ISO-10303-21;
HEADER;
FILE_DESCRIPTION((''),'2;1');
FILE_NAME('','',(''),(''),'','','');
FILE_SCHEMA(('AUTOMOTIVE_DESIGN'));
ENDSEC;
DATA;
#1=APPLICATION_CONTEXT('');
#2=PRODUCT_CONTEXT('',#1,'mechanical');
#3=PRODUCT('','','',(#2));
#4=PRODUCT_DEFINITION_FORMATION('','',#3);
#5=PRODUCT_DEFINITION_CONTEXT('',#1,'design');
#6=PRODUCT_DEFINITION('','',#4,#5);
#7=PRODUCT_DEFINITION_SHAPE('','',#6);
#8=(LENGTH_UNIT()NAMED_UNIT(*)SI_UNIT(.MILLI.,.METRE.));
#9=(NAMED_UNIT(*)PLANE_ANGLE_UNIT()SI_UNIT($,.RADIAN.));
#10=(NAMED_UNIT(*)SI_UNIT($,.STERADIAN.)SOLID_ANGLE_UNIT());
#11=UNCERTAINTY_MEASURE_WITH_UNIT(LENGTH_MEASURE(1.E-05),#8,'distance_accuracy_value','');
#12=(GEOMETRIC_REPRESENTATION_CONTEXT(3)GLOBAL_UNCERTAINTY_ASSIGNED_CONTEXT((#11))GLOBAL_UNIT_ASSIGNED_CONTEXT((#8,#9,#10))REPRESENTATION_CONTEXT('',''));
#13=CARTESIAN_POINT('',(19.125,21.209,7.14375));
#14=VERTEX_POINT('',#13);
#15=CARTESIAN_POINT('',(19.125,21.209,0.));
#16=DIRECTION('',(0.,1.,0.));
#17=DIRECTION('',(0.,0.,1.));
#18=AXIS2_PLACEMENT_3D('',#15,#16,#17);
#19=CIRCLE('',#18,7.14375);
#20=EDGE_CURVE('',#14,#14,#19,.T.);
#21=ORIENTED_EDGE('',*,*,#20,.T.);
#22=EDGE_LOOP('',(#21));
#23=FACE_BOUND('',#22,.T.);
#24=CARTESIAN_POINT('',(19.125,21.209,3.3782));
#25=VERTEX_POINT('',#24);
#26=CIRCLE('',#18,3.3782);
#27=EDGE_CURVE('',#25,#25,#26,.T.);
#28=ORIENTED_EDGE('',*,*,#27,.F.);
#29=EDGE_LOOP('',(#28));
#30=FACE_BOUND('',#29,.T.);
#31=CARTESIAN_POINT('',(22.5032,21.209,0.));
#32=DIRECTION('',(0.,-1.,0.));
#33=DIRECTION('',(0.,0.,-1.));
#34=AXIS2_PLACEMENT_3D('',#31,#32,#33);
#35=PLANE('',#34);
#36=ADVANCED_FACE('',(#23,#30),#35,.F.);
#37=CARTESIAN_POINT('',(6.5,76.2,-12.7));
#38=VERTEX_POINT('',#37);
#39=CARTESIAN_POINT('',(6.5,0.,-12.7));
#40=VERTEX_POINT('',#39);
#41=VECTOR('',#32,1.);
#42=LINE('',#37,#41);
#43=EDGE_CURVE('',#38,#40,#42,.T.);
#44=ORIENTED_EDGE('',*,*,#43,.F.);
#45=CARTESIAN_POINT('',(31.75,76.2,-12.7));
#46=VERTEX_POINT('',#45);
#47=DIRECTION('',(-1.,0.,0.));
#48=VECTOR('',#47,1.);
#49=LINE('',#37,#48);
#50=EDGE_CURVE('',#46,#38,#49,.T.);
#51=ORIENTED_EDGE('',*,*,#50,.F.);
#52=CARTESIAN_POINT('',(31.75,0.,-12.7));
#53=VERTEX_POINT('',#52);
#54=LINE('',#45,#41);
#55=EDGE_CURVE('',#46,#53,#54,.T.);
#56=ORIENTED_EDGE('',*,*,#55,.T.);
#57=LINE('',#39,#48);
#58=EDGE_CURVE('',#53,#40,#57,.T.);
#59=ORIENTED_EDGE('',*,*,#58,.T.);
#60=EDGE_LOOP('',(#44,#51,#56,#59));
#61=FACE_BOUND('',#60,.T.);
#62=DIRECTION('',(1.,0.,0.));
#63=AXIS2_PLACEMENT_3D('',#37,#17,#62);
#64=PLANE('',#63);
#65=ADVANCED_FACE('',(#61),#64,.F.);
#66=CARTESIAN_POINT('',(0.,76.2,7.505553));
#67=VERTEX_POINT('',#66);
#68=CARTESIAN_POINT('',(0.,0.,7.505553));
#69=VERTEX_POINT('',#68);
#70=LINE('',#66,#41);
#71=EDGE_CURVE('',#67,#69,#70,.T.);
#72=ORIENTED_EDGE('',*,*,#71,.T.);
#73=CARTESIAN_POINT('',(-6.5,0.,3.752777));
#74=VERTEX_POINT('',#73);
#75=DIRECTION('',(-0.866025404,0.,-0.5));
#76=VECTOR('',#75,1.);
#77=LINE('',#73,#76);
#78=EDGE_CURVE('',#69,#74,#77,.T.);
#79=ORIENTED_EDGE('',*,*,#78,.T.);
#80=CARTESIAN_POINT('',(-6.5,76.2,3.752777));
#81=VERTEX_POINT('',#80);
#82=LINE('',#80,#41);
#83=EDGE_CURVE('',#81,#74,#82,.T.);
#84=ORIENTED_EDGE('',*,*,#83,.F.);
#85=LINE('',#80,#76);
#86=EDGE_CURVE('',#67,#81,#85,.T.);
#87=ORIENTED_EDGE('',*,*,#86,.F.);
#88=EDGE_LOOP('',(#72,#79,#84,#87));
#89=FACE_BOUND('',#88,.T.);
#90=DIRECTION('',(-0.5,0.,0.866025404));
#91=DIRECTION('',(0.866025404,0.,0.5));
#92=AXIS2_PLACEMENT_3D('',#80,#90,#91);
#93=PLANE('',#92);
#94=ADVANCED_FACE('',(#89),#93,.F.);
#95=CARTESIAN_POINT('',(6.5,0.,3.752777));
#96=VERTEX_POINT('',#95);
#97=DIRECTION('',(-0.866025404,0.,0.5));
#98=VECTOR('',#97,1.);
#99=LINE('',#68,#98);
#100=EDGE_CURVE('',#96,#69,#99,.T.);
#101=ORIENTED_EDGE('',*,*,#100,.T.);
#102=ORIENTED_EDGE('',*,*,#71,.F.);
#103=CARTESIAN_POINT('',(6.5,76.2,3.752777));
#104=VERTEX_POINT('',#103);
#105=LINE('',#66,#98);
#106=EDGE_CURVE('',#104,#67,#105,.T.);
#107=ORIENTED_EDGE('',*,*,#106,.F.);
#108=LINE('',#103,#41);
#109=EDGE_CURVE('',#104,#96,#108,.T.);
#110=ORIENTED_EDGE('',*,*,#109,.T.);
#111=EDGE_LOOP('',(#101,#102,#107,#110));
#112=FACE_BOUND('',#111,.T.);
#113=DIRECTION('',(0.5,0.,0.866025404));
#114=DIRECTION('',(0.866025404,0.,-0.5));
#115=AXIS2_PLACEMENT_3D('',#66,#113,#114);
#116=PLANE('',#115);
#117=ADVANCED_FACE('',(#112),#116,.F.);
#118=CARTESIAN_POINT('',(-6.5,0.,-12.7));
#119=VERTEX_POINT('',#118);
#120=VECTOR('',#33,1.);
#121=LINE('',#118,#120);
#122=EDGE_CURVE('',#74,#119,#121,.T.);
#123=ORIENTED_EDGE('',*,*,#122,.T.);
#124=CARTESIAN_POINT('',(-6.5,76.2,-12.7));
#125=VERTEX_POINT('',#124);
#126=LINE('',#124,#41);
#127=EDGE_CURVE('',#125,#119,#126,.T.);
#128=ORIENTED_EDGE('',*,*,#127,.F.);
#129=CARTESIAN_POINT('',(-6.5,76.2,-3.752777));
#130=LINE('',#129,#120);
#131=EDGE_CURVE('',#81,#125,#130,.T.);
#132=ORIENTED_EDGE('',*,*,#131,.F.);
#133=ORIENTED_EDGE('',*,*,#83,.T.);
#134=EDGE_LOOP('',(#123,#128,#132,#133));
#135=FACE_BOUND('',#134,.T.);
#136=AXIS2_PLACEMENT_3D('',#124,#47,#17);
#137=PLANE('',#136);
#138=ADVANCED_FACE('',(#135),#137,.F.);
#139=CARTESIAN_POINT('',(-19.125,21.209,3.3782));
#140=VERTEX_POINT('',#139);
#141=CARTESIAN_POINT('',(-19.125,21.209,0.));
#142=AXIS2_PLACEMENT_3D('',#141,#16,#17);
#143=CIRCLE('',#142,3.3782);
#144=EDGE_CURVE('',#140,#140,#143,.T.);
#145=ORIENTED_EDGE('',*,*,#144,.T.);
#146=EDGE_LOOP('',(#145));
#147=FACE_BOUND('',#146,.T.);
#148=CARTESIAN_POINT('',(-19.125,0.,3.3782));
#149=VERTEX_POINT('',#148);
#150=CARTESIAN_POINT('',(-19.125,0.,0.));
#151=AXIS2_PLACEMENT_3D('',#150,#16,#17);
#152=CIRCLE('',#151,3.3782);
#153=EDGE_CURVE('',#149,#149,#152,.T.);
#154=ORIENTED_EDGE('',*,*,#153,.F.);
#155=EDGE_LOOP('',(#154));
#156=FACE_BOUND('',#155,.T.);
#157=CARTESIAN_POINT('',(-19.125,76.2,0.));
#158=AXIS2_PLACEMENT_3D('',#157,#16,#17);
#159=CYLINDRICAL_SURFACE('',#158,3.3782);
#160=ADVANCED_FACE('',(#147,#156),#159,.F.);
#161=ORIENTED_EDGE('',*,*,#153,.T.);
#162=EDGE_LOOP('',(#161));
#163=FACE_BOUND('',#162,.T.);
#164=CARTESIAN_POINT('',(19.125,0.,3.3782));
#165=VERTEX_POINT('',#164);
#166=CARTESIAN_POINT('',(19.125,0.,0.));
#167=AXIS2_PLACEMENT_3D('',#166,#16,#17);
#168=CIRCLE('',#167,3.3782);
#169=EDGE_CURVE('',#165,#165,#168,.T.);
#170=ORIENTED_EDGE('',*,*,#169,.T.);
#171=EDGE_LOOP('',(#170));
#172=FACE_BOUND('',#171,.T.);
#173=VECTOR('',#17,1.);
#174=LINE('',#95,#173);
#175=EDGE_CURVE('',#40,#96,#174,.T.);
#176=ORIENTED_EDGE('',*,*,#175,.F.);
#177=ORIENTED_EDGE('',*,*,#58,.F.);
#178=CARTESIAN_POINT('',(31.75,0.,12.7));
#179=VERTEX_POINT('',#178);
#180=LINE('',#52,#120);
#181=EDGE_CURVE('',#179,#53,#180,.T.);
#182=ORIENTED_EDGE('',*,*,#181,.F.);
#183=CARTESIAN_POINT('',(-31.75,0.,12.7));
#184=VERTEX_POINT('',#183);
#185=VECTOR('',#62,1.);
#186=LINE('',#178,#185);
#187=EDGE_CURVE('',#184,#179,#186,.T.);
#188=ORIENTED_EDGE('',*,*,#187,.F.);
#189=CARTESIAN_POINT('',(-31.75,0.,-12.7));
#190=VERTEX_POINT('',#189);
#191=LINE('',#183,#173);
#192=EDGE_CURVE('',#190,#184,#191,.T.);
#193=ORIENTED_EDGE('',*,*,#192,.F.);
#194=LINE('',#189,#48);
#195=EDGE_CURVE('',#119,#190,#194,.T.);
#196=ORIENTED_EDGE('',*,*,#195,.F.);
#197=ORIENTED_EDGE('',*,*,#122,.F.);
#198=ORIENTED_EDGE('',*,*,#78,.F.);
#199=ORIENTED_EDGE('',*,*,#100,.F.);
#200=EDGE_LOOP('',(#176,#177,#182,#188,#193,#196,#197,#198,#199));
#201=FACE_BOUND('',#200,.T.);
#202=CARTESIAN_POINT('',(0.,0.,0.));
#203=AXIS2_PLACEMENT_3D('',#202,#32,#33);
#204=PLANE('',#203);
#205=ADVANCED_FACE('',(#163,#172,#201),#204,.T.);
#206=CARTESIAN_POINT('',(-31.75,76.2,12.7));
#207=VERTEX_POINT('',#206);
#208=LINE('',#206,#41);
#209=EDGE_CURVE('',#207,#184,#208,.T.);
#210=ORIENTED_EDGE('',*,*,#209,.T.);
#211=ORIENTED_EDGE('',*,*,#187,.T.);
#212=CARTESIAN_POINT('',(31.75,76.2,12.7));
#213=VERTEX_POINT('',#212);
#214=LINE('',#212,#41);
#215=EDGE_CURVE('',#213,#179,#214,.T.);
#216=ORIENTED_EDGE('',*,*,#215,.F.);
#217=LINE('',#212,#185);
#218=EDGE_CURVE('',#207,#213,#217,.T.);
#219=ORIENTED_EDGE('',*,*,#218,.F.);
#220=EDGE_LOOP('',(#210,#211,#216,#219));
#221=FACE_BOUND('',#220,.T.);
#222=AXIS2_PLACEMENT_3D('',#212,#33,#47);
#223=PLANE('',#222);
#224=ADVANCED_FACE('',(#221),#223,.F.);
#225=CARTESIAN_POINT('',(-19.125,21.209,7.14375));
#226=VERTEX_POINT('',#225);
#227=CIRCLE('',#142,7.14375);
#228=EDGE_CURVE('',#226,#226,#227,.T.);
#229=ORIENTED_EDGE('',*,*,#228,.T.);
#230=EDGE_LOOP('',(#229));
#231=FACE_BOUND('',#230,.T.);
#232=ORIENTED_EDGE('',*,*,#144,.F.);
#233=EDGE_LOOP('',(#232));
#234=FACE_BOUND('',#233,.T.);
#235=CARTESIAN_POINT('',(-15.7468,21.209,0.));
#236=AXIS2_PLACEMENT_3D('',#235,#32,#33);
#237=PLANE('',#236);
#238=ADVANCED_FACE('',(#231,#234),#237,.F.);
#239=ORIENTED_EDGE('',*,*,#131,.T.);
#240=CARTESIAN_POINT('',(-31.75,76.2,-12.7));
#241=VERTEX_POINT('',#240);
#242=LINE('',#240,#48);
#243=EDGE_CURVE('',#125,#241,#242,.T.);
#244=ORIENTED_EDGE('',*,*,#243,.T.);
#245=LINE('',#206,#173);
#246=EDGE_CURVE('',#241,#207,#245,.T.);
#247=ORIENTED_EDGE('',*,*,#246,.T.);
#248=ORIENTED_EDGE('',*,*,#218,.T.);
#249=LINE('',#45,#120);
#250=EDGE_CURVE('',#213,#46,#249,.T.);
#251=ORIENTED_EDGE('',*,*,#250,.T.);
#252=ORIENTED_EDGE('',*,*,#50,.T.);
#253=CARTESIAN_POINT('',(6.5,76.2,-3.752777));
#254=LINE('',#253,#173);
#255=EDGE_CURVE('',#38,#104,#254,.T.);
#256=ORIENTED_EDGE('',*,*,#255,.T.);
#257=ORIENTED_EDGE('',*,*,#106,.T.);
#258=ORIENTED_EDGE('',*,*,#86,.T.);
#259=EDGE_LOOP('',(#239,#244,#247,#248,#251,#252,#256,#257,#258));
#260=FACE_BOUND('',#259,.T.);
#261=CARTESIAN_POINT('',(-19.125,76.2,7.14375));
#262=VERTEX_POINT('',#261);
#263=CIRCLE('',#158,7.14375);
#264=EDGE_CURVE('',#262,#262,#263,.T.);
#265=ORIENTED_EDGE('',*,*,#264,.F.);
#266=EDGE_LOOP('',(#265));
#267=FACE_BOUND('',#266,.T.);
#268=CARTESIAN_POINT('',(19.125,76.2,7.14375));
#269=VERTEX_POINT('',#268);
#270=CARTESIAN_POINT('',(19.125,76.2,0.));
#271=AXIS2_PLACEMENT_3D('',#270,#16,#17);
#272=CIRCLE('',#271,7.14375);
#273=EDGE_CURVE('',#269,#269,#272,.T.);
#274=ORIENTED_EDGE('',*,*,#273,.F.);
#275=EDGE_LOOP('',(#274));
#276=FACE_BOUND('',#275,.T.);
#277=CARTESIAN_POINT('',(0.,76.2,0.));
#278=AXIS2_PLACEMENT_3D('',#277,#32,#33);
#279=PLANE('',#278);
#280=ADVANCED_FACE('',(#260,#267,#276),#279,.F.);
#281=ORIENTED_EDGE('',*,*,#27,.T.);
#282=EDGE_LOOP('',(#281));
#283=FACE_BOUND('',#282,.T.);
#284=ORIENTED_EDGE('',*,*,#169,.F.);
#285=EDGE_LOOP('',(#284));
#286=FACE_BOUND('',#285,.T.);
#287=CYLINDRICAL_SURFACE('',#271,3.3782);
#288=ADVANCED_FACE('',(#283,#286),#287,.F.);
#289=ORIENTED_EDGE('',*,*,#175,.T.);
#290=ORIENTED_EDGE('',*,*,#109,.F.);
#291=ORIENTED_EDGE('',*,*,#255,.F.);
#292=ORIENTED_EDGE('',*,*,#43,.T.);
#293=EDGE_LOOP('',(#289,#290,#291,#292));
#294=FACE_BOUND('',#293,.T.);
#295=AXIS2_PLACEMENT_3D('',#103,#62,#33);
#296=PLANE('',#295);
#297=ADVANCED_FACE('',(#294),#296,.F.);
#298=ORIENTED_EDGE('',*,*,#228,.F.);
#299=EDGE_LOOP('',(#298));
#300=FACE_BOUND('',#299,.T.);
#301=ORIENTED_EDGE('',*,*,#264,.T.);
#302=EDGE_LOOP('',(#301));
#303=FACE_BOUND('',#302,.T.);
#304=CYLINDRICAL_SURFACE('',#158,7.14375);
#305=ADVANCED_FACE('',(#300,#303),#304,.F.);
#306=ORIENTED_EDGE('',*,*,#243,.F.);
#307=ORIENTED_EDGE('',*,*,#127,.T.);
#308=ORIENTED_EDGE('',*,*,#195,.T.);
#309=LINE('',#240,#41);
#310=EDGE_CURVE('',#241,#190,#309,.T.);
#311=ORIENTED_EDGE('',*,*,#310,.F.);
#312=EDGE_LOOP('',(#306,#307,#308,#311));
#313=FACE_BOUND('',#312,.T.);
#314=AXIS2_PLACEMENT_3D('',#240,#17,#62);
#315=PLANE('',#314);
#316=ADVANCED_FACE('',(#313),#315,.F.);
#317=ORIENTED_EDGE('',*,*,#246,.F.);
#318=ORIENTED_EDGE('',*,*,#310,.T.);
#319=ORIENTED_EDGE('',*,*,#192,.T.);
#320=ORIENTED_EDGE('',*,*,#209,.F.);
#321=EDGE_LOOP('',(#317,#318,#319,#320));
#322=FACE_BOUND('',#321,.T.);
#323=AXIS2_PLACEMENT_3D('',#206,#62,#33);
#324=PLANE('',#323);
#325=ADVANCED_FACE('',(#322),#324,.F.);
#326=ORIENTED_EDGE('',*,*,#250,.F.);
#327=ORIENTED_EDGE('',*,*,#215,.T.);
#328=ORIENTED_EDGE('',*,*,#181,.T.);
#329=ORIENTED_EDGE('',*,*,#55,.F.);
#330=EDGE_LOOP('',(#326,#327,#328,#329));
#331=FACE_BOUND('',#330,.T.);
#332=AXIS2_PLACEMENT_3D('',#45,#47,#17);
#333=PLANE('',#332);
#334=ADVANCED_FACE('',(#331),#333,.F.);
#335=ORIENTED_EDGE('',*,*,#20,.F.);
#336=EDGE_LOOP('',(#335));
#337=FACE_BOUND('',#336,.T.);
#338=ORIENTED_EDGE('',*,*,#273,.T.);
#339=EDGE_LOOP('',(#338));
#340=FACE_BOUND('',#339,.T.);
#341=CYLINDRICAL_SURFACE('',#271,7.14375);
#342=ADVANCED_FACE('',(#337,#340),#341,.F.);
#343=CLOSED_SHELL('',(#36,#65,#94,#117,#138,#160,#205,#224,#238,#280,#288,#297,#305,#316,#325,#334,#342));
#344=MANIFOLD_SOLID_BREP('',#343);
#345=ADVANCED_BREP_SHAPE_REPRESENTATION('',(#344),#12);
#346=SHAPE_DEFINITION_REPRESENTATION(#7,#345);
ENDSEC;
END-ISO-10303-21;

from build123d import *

# Parameters (mm, degrees)
BOSS_EXTRUDE1_DEPTH                                  = 76.2
CBORE_FOR_1_4_BINDING_HEAD_MACHINE_SCREW_D           = 6.7564
CBORE_FOR_1_4_BINDING_HEAD_MACHINE_SCREW_CBORE_D     = 14.2875
CBORE_FOR_1_4_BINDING_HEAD_MACHINE_SCREW_CBORE_DEPTH = 54.991


with BuildPart() as part:
    # Sketch1 → Boss-Extrude1 (new body)
    with BuildSketch(Plane(origin=(0, 0, 0), x_dir=(1, 0, 0), z_dir=(0, 1, 0))):
        Polygon((0, -7.505553499), (6.5, -3.75277675), (6.5, 3.75277675), (6.5, 12.7), (31.75, 12.7), (31.75, -12.7), (-31.75, -12.7), (-31.75, 12.7), (-6.5, 12.7), (-6.5, 3.75277675), (-6.5, -3.75277675), align=None)
    extrude(amount=BOSS_EXTRUDE1_DEPTH)

    # CBORE for 1/4 Binding Head Machine Screw1 (through all)
    with Locations(Plane(origin=(0, 76.2, 0), x_dir=(1, 0, 0), z_dir=(0, 1, 0))):
        with Locations((-19.125, 0), (19.125, 0)):
            CounterBoreHole(CBORE_FOR_1_4_BINDING_HEAD_MACHINE_SCREW_D / 2, CBORE_FOR_1_4_BINDING_HEAD_MACHINE_SCREW_CBORE_D / 2, CBORE_FOR_1_4_BINDING_HEAD_MACHINE_SCREW_CBORE_DEPTH)


solid = part.part
